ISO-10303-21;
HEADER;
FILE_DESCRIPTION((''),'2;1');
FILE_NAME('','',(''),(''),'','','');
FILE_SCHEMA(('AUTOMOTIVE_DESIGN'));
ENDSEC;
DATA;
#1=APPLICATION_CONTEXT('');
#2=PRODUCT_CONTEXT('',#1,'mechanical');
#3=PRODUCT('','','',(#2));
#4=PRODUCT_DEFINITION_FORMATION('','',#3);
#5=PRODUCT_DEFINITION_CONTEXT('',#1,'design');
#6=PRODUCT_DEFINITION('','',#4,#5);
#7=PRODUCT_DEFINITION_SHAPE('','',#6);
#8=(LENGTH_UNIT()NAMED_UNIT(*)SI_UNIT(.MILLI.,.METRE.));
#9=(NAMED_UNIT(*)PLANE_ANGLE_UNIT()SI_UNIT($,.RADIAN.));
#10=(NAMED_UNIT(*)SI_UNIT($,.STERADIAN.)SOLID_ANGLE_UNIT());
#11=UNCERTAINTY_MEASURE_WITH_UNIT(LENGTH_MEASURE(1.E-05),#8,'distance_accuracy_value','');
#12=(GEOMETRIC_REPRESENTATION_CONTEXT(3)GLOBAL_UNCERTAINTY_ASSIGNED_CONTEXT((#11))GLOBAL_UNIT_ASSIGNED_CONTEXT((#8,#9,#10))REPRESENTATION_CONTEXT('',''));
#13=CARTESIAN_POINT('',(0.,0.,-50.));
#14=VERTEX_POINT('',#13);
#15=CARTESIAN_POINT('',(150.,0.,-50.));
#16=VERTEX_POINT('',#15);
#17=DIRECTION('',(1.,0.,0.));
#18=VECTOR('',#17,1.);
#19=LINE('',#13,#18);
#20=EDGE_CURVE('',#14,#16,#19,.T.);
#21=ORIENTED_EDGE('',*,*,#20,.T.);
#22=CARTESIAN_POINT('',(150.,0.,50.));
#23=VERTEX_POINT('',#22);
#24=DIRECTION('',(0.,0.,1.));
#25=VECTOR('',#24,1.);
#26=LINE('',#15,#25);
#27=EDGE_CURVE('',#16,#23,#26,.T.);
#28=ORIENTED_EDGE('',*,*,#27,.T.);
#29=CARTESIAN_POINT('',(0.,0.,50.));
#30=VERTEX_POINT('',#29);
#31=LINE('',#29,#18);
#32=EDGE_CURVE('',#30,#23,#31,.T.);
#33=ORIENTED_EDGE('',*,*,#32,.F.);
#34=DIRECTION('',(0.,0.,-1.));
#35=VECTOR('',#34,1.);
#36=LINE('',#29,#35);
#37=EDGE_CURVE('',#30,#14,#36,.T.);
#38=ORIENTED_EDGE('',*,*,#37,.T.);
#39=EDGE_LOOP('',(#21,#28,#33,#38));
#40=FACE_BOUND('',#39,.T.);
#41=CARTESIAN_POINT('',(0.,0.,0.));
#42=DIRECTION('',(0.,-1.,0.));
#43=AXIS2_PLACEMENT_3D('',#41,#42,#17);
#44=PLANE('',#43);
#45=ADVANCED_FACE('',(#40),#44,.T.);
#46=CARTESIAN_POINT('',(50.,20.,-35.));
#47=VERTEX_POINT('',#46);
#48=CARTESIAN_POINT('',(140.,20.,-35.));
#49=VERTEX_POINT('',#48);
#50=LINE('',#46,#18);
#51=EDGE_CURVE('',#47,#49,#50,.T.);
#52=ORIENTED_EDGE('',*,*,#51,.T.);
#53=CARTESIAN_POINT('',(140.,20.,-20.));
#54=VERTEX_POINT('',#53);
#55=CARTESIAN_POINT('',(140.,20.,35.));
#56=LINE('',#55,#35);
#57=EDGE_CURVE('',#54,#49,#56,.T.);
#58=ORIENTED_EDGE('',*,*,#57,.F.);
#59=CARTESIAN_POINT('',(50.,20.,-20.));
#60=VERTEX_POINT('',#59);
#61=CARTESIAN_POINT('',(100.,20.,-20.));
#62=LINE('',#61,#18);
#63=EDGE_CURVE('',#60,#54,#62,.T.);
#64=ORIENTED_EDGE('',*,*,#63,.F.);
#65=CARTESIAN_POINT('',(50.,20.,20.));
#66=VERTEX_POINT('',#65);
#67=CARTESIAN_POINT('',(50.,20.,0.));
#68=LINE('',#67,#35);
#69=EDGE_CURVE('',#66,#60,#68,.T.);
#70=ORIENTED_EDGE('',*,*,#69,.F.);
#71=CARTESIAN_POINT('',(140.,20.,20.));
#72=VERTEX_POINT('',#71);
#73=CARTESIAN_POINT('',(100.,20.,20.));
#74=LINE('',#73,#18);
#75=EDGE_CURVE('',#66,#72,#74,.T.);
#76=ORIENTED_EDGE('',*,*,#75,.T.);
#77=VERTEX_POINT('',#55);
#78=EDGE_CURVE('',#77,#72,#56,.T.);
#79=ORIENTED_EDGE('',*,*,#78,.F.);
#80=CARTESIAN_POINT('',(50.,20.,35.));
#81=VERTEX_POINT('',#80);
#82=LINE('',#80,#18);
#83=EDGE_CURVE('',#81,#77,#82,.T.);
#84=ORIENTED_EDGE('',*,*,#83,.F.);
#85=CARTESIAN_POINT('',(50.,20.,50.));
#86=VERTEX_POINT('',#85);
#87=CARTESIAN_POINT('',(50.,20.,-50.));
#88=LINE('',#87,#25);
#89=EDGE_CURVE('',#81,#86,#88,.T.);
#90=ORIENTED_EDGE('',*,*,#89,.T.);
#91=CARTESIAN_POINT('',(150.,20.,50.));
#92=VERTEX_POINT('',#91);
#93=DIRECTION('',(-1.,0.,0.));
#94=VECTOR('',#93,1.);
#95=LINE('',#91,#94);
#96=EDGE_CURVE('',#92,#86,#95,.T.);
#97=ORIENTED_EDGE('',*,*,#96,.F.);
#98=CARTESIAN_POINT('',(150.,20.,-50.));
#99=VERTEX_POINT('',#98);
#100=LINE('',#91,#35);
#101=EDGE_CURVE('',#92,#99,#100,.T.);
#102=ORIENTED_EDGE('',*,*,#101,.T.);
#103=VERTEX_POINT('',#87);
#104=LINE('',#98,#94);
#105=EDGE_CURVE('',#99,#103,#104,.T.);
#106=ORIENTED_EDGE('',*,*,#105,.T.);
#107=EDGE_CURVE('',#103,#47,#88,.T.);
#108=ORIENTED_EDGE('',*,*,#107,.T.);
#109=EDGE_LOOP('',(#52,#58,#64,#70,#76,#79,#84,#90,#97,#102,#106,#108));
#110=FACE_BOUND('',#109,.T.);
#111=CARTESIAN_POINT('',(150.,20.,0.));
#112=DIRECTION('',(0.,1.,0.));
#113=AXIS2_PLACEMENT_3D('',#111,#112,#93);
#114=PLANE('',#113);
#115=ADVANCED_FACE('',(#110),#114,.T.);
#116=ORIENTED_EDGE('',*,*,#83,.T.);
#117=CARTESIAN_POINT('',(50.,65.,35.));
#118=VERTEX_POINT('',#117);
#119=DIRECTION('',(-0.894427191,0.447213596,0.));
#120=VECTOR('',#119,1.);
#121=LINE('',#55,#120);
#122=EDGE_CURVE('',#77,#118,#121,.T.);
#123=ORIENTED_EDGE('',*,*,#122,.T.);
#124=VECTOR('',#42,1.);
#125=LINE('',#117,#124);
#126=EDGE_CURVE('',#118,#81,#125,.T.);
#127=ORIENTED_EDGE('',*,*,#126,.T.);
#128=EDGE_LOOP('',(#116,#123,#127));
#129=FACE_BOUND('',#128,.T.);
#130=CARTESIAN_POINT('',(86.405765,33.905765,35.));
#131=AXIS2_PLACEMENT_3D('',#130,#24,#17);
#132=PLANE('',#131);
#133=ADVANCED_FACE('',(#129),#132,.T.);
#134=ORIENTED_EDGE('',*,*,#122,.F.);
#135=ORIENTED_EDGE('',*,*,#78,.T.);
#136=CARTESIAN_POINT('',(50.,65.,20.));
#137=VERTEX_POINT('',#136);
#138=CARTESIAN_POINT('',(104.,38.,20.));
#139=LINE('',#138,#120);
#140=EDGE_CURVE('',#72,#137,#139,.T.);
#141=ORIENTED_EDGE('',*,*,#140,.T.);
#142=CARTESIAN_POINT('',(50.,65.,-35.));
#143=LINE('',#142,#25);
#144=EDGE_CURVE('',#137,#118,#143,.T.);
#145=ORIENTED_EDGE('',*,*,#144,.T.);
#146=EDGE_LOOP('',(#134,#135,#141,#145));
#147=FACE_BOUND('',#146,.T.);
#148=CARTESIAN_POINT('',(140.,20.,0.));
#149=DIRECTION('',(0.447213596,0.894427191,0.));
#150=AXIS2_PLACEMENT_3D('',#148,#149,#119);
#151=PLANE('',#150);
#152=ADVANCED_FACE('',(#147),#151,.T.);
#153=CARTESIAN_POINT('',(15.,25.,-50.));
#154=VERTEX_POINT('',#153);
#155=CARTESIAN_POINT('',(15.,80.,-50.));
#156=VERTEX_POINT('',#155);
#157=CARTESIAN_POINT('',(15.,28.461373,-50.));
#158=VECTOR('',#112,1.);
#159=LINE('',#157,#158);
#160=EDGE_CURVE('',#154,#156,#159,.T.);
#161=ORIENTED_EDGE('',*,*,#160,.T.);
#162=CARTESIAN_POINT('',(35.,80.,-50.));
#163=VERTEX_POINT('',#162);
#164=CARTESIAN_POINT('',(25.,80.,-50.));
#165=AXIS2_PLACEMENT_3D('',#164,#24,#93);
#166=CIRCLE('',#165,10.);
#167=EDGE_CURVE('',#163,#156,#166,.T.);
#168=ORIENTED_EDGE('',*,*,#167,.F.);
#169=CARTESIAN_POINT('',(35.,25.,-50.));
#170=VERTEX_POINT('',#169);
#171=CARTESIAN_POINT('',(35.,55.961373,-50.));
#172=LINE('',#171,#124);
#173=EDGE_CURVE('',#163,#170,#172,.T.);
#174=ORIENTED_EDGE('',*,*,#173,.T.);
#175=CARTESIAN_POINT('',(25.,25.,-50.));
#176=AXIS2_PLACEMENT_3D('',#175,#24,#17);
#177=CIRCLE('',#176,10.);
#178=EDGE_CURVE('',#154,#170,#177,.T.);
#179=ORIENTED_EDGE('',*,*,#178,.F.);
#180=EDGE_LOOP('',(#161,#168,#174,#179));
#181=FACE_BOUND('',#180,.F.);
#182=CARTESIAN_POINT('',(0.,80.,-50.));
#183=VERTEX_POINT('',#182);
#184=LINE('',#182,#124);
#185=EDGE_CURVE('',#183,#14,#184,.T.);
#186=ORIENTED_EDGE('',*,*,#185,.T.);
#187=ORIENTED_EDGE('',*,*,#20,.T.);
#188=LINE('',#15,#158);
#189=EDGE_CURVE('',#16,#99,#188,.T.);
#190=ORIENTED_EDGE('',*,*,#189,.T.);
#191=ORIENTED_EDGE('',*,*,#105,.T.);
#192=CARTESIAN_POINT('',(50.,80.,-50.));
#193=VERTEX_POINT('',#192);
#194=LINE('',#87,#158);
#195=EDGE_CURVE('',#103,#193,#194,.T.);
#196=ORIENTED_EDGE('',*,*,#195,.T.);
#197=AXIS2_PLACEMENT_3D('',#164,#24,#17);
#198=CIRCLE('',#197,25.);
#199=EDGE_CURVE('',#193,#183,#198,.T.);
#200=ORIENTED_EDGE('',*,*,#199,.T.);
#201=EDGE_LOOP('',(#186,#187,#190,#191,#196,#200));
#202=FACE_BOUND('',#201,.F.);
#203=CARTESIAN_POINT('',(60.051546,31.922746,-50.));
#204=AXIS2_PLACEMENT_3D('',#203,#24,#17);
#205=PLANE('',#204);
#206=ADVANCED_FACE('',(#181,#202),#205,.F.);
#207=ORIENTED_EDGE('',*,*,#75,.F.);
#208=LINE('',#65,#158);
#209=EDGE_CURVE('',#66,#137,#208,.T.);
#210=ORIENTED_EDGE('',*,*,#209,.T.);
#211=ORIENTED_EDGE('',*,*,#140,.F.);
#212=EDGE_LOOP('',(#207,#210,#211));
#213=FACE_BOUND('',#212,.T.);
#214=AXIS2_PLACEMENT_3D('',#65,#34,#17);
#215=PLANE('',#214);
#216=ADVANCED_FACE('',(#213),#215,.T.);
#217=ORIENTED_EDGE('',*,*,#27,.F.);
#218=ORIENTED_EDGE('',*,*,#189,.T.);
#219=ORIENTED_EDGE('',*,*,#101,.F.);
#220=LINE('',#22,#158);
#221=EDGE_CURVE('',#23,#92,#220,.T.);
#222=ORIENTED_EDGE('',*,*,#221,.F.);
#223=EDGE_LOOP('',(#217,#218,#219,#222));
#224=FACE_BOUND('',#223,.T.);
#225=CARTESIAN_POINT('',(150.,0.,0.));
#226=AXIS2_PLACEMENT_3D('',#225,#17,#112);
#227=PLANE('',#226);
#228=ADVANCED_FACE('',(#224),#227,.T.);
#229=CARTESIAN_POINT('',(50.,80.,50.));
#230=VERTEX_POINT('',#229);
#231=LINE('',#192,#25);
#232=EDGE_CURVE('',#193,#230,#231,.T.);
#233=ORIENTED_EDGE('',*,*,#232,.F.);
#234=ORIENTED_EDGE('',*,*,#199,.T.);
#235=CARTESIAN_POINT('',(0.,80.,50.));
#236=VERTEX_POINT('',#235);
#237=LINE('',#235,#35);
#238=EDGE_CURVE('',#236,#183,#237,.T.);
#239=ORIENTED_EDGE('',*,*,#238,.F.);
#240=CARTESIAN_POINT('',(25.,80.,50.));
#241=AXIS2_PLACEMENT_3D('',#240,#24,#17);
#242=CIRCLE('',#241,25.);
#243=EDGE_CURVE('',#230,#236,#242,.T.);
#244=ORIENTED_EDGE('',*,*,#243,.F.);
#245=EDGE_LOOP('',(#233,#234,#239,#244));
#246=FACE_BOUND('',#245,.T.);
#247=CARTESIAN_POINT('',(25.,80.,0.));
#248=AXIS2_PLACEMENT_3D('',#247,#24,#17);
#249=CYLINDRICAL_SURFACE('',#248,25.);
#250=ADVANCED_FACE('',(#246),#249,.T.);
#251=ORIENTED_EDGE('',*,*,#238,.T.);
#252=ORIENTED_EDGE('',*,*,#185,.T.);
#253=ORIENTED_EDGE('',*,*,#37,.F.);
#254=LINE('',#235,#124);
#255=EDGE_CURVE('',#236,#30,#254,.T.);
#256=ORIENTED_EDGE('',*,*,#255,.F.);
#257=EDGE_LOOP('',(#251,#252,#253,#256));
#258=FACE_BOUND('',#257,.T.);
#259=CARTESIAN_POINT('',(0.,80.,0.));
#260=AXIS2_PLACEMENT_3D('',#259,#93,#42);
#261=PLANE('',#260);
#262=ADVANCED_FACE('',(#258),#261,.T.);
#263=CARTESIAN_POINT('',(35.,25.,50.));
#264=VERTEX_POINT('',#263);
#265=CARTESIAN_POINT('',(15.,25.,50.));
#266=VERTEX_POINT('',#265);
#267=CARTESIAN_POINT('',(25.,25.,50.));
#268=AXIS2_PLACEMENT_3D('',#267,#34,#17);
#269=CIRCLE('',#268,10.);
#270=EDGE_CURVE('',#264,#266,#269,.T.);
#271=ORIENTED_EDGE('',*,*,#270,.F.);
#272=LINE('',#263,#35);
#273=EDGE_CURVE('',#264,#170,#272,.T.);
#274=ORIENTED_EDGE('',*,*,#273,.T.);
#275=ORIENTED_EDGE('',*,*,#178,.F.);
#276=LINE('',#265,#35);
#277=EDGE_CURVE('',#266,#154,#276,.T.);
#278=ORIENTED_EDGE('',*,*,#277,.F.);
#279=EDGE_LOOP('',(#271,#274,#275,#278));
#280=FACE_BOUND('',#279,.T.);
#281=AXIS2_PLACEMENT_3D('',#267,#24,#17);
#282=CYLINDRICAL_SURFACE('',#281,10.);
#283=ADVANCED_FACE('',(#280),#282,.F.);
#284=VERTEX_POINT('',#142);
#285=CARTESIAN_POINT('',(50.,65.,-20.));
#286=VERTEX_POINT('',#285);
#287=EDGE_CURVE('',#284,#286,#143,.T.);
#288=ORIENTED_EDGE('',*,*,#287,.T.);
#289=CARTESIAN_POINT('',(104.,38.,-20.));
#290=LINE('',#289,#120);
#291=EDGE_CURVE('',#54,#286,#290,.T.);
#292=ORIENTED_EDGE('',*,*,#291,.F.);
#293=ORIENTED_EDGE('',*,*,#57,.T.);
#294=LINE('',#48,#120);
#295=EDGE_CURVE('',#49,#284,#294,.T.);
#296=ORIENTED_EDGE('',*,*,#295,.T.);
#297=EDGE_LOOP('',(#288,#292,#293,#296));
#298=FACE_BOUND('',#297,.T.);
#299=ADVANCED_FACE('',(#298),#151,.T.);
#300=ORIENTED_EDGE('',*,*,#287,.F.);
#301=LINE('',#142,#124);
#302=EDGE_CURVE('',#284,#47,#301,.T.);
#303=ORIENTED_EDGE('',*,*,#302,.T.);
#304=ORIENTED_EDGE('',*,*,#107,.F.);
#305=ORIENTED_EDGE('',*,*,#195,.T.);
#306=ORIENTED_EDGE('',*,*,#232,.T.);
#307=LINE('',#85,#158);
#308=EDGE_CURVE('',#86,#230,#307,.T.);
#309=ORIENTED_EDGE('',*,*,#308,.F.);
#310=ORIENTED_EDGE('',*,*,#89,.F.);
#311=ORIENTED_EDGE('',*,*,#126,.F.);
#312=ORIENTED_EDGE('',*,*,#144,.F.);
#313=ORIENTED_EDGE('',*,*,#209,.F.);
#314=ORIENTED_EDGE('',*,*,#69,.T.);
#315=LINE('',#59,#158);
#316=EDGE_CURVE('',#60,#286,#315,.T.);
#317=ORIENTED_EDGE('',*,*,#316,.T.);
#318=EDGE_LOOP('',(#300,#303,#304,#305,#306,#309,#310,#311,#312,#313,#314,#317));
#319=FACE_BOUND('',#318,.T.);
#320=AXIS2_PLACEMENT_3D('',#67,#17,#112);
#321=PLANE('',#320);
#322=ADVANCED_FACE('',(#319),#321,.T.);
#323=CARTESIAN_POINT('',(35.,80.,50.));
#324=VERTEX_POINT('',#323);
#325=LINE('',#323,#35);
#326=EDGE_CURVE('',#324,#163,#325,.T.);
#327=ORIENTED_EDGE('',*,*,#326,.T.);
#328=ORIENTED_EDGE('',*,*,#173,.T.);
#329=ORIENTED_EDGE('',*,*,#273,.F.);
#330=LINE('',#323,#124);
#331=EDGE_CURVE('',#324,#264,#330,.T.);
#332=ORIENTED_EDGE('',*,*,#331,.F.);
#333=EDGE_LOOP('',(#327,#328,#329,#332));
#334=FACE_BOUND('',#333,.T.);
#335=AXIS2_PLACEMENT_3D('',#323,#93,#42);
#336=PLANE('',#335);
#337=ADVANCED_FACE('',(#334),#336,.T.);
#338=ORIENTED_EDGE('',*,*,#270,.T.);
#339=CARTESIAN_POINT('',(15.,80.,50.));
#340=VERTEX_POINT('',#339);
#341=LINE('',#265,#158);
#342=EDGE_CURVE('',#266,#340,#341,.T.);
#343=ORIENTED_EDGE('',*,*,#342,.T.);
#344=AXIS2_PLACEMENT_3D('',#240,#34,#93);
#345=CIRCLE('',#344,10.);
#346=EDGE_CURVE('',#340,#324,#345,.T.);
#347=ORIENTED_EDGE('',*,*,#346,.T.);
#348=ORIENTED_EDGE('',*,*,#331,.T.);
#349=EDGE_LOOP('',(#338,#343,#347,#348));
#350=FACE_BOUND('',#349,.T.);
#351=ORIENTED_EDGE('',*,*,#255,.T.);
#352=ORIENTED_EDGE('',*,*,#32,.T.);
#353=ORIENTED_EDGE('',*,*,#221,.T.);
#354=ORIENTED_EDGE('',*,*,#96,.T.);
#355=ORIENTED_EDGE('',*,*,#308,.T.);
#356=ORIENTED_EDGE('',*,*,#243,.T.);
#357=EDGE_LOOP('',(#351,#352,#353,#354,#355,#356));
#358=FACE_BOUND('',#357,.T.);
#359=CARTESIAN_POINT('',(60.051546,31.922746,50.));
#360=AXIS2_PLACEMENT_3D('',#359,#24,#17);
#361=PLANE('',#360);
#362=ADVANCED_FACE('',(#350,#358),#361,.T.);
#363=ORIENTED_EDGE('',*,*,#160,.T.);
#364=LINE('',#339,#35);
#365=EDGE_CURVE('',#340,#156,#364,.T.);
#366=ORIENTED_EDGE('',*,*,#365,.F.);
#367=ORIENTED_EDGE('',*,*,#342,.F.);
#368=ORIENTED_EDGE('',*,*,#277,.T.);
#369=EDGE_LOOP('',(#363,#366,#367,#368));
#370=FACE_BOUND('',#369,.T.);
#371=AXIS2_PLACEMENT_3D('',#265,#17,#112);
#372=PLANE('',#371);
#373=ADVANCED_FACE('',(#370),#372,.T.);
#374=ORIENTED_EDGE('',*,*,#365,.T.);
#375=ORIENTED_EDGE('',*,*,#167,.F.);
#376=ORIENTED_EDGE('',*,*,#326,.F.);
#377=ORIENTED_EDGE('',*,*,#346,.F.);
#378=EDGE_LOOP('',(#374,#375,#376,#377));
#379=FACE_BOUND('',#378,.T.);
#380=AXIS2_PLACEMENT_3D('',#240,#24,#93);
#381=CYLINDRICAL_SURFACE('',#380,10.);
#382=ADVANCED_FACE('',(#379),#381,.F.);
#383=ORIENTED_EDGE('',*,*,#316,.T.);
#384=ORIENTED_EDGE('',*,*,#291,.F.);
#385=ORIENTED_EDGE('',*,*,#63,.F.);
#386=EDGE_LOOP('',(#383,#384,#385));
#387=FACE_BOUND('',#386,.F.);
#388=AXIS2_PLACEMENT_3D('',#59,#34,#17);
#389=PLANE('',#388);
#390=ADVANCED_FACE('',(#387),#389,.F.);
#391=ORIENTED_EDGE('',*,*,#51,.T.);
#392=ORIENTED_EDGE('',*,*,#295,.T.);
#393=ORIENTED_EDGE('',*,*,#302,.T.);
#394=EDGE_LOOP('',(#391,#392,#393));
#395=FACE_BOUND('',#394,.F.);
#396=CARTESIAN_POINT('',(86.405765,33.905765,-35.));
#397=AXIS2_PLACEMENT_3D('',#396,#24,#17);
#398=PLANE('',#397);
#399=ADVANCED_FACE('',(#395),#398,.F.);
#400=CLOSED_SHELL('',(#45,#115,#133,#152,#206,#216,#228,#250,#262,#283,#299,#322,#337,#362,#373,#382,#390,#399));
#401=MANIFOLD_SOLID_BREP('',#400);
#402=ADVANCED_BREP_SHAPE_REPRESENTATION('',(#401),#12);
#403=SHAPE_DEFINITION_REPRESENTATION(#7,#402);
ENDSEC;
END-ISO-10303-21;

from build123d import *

# Parameters (mm, degrees)
BOSS_EXTRUDE1_DEPTH      = 50
BOSS_EXTRUDE1_DEPTH_BACK = 50
CUT_EXTRUDE1_DEPTH       = 209.62646045
BOSS_EXTRUDE2_DEPTH      = 35
BOSS_EXTRUDE2_DEPTH_BACK = 35
SKETCH4_W                = 100
SKETCH4_H                = 40
CUT_EXTRUDE2_DEPTH       = 180.51323071


with BuildPart() as part:
    # Sketch1 → Boss-Extrude1 (new, two sides: drawn at the far end of the back side and taken through both)
    with BuildSketch(Plane.XY.offset(-BOSS_EXTRUDE1_DEPTH_BACK)):
        with BuildLine():
            Line((0, 0), (150, 0))
            Line((150, 0), (150, 20))
            Line((150, 20), (50, 20))
            Line((50, 20), (50, 80))
            ThreePointArc((50, 80), (25, 105), (0, 80))
            Line((0, 80), (0, 0))
        make_face()
    extrude(amount=BOSS_EXTRUDE1_DEPTH + BOSS_EXTRUDE1_DEPTH_BACK)

    # Sketch2 → Cut-Extrude1 (cut, through all)
    with BuildSketch(Plane.XY.offset(50)):
        with BuildLine():
            Line((35, 80), (35, 25))
            ThreePointArc((35, 25), (25, 15), (15, 25))
            Line((15, 25), (15, 80))
            ThreePointArc((15, 80), (25, 90), (35, 80))
        make_face()
    extrude(amount=-CUT_EXTRUDE1_DEPTH, mode=Mode.SUBTRACT)

    # Sketch3 → Boss-Extrude2 (add, two sides: drawn at the far end of the back side and taken through both)
    with BuildSketch(Plane.XY.offset(-BOSS_EXTRUDE2_DEPTH_BACK)):
        Polygon((50, 65), (50, 20), (140, 20), align=None)
    extrude(amount=BOSS_EXTRUDE2_DEPTH + BOSS_EXTRUDE2_DEPTH_BACK)

    # Sketch4 → Cut-Extrude2 (cut, through all)
    with BuildSketch(Plane(origin=(0, 20, 0), x_dir=(1, 0, 0), z_dir=(0, 1, 0))):
        with Locations((100, 0)):
            Rectangle(SKETCH4_W, SKETCH4_H)
    extrude(amount=CUT_EXTRUDE2_DEPTH, mode=Mode.SUBTRACT)


solid = part.part
